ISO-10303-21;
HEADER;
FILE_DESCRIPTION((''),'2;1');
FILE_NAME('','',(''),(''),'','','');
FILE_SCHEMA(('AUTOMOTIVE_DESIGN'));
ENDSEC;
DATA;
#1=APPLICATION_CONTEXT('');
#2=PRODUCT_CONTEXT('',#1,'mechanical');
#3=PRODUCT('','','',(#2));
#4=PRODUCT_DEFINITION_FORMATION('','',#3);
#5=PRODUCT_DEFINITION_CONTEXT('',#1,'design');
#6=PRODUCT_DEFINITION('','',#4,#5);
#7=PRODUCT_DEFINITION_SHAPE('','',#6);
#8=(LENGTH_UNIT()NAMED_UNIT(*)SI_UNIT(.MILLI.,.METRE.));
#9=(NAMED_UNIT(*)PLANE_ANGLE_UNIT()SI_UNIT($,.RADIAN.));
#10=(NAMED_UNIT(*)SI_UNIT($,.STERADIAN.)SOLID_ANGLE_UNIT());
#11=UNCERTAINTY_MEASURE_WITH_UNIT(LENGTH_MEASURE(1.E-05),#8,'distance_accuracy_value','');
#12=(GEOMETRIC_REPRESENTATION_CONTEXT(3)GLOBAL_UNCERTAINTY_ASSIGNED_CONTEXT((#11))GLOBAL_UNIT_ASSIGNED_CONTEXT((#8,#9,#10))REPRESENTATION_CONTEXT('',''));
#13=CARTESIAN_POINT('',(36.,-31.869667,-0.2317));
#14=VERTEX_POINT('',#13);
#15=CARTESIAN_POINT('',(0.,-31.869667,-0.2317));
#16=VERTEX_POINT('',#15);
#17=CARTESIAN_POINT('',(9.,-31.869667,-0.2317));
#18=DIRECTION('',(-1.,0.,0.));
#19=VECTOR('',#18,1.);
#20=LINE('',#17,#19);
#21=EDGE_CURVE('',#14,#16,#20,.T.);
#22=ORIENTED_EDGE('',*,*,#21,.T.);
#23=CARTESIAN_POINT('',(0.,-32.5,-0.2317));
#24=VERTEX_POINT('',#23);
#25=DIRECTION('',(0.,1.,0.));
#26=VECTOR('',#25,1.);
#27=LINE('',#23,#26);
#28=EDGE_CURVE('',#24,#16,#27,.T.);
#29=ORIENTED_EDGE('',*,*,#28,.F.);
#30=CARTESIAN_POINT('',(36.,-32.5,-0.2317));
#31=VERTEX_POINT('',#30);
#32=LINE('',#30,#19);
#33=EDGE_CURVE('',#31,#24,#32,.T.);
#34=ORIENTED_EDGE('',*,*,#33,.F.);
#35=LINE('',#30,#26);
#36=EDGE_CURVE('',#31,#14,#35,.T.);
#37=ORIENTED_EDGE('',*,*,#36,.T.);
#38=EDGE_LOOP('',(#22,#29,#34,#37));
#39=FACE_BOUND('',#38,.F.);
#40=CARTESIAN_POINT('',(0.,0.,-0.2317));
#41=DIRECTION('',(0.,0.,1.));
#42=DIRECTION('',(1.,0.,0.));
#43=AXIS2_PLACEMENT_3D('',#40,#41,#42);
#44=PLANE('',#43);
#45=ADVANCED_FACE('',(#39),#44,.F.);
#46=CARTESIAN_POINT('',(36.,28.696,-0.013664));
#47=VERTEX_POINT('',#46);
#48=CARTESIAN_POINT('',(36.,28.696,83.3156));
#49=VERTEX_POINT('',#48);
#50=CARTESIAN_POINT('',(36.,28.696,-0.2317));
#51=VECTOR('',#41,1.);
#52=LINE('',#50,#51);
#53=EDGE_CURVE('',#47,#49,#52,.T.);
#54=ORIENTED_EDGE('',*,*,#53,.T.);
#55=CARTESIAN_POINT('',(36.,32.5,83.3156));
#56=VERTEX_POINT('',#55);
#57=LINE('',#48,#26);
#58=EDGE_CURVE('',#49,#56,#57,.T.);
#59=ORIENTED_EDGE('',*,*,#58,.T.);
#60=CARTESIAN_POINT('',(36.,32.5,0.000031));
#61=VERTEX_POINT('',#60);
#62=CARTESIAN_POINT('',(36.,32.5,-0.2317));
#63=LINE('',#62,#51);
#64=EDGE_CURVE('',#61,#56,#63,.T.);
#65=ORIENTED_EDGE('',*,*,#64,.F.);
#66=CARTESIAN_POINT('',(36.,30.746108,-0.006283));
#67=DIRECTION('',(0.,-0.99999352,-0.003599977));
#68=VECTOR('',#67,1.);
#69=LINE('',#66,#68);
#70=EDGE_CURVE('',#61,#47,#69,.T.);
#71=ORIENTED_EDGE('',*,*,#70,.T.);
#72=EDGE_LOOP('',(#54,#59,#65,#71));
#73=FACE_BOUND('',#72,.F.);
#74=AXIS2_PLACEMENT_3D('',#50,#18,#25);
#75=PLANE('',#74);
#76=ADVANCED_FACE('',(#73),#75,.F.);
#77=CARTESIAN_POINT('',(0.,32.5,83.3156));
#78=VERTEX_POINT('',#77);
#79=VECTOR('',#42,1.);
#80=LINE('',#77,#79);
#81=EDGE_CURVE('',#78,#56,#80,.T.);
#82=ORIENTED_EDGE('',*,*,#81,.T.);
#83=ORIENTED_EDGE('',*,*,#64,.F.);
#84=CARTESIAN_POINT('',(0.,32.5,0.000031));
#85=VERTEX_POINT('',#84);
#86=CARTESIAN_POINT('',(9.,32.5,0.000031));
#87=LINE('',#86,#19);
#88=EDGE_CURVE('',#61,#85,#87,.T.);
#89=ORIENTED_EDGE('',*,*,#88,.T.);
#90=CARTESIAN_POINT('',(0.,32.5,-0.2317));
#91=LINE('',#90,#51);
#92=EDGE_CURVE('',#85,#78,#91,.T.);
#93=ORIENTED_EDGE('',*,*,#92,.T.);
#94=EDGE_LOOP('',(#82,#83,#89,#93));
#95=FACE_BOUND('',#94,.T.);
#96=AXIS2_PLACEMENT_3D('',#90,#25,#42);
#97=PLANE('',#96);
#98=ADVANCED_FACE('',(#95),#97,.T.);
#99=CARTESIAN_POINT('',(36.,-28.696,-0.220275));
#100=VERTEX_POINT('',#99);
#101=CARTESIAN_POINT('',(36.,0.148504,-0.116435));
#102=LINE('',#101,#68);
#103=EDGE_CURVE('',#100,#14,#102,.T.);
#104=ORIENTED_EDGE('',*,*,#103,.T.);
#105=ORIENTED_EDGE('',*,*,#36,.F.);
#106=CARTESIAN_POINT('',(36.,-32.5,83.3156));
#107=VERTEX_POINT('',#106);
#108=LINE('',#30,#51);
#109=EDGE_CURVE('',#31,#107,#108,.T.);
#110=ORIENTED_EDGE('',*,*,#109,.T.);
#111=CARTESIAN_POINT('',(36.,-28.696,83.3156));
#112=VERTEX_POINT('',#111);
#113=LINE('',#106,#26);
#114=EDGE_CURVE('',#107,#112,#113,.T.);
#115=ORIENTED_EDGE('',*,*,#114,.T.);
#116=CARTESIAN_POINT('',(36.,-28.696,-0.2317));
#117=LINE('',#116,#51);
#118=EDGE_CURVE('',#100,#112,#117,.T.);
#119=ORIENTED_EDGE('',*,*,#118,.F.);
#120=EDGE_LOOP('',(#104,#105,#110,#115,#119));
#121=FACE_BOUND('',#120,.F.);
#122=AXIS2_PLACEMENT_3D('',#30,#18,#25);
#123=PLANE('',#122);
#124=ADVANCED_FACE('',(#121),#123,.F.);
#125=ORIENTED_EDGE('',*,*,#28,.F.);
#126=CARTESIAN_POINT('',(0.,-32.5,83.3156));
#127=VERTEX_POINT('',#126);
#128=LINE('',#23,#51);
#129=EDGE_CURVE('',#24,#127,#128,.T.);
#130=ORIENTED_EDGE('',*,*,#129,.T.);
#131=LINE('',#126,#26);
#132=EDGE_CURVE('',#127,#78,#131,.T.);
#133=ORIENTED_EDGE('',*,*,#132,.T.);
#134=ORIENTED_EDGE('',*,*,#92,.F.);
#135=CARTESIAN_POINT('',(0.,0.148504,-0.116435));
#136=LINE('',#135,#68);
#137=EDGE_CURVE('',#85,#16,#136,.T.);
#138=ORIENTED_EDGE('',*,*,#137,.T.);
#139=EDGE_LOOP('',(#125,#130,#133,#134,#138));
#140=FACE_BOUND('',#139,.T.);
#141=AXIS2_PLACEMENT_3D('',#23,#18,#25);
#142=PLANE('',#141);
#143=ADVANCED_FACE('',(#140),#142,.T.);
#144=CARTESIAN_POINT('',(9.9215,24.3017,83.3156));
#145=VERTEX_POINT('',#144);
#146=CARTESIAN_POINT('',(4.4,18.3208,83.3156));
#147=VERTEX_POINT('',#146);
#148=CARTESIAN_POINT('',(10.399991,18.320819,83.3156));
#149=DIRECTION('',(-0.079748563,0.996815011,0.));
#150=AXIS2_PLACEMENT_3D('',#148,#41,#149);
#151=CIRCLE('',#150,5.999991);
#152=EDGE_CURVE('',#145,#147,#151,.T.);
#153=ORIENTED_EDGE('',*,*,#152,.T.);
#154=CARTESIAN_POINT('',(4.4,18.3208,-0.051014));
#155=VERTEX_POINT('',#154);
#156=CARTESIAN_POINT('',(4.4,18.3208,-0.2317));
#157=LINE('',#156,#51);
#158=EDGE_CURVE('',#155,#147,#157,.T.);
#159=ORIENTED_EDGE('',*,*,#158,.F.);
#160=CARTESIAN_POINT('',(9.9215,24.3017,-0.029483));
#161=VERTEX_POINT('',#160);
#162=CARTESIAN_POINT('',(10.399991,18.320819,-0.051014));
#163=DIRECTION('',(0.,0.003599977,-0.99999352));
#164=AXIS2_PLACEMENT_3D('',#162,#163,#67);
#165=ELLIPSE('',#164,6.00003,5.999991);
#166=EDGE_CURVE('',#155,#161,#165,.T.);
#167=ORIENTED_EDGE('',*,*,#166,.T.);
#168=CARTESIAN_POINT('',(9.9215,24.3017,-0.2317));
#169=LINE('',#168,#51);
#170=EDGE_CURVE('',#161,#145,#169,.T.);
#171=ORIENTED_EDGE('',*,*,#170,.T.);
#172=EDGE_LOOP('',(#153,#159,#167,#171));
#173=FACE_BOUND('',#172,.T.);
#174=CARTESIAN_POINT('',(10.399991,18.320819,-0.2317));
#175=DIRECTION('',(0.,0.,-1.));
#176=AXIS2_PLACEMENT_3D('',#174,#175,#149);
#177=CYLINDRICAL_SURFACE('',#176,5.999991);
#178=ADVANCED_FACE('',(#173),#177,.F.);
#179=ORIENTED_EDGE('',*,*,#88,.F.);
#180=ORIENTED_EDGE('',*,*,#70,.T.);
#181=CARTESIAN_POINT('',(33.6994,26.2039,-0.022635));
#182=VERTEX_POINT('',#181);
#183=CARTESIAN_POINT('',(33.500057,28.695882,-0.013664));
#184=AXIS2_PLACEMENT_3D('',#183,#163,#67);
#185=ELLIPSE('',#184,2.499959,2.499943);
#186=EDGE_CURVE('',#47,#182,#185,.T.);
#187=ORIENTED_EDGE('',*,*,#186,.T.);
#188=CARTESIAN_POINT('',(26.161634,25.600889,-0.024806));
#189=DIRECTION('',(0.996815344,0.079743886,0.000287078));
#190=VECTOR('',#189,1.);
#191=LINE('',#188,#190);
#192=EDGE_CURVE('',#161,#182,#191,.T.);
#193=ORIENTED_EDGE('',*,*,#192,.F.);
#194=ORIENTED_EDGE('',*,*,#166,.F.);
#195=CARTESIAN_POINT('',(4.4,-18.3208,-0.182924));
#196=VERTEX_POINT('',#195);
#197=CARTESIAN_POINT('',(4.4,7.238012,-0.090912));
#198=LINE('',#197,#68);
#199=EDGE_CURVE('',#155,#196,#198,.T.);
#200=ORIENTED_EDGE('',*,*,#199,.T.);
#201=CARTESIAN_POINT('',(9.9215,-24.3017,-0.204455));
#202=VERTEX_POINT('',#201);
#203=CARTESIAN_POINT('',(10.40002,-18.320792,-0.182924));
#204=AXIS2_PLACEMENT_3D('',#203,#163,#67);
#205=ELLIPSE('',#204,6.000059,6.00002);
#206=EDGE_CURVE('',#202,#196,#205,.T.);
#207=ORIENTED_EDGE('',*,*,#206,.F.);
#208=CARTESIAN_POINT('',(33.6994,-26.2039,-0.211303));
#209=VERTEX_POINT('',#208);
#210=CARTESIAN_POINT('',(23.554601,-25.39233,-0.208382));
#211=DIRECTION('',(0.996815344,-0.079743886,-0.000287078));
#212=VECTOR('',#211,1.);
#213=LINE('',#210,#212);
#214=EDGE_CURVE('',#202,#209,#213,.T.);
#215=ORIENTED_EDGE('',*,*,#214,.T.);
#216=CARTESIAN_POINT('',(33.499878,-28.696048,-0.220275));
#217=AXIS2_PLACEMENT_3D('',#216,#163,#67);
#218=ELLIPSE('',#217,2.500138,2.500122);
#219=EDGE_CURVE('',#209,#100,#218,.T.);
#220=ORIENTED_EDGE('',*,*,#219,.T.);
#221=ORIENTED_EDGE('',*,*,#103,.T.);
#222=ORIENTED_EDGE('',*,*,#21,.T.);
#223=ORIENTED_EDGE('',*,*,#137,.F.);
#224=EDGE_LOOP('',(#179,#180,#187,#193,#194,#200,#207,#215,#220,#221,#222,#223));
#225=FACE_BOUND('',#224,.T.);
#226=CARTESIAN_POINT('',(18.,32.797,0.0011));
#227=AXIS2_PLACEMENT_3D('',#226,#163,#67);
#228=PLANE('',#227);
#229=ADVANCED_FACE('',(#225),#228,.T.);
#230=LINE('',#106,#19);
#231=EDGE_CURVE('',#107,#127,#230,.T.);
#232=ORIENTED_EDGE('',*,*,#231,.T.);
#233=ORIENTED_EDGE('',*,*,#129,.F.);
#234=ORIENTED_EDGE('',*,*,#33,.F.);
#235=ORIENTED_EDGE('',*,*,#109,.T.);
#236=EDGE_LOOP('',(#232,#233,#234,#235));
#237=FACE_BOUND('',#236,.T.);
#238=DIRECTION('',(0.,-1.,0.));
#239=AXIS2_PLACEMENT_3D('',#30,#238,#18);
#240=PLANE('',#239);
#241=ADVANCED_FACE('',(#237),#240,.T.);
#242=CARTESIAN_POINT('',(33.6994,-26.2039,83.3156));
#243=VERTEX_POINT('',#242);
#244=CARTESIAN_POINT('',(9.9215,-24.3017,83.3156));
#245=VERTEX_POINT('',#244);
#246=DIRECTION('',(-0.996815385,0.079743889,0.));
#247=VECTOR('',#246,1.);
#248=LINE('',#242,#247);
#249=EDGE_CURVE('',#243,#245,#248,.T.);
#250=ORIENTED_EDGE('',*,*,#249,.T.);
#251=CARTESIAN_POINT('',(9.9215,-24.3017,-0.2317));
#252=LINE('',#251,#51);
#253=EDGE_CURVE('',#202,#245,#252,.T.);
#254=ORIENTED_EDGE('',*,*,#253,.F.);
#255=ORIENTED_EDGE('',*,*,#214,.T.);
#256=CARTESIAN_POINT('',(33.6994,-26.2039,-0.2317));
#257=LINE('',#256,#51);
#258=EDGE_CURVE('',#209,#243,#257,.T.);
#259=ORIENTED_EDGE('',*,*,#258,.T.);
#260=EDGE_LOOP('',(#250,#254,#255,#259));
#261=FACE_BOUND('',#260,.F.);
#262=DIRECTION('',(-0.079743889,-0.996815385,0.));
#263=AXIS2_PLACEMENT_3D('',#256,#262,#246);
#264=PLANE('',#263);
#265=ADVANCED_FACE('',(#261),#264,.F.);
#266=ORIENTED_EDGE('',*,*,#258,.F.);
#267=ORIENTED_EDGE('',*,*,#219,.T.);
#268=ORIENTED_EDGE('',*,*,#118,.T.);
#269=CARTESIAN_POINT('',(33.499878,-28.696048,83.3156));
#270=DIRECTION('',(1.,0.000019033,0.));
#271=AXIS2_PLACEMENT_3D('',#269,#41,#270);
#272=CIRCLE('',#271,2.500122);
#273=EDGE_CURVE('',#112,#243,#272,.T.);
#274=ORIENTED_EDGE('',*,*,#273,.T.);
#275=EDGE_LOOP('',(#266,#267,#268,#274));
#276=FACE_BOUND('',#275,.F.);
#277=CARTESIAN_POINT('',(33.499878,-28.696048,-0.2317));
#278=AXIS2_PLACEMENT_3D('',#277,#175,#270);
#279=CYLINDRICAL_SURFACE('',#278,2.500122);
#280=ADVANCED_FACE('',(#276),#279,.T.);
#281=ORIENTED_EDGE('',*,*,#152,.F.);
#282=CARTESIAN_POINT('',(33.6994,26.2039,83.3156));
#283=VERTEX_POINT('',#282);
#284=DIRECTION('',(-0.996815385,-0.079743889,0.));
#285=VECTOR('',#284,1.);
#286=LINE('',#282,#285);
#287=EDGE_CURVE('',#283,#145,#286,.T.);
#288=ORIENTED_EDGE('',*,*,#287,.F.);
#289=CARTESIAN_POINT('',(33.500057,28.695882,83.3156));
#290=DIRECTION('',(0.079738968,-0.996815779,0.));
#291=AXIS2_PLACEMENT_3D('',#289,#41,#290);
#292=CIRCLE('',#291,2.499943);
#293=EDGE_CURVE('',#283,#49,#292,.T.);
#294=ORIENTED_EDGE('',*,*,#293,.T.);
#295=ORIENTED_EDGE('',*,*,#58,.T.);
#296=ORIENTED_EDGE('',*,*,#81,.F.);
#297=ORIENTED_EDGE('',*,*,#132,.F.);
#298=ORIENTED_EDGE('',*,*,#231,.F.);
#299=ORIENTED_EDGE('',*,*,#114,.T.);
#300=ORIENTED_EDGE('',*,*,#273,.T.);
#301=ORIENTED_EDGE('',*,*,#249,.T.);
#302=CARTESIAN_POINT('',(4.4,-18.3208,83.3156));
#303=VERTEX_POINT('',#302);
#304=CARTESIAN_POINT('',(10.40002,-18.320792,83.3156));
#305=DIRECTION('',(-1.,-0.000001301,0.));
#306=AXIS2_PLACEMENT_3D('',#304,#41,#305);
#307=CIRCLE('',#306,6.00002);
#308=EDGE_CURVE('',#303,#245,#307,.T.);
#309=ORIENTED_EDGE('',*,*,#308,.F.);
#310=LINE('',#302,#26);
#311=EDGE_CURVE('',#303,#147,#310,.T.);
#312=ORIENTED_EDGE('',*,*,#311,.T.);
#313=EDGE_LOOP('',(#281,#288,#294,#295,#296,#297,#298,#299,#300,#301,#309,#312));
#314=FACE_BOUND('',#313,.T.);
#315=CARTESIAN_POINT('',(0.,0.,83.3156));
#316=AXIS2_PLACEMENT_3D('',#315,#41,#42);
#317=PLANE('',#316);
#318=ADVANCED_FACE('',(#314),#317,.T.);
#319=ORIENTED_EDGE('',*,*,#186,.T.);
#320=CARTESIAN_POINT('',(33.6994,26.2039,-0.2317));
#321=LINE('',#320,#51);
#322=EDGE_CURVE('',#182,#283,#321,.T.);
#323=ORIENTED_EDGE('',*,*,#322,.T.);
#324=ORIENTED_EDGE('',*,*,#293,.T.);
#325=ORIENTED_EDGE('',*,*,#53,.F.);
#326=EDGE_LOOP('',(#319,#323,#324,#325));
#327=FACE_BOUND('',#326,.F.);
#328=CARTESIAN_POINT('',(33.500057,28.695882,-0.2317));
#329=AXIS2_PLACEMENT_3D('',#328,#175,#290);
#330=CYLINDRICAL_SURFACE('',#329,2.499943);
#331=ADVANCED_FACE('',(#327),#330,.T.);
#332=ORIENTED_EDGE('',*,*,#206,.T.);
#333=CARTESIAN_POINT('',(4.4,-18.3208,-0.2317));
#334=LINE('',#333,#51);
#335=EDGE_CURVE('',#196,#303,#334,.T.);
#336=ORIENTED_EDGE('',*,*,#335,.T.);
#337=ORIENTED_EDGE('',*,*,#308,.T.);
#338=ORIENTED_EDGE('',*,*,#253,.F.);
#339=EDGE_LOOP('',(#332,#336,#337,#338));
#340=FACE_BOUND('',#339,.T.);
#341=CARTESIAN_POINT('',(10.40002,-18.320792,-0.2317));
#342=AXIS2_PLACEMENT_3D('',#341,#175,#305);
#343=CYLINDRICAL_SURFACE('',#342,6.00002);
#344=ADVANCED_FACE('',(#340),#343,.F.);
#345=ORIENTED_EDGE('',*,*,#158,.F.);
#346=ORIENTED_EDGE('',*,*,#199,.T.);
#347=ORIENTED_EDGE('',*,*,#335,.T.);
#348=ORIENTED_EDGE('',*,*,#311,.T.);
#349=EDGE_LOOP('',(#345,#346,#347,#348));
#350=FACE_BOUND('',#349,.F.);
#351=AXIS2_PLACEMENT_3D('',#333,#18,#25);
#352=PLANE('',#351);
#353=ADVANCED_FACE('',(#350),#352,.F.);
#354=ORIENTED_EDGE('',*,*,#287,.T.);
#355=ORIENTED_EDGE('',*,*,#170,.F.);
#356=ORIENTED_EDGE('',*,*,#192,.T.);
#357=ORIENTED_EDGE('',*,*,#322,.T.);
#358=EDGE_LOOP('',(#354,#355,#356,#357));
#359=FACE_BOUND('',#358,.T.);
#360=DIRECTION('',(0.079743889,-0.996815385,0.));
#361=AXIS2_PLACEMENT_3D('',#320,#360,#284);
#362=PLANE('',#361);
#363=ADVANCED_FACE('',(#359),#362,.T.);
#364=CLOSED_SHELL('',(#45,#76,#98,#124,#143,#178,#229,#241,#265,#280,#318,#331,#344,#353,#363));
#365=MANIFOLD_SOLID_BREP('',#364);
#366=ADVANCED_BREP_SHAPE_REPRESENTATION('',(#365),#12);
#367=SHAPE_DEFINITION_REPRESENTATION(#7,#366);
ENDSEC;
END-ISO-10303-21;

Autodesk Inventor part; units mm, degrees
ref_plane "Начальная плоскость" through (0, 0, -0.2317) normal (0, 0, 1) x (1, 0, 0)
ref_plane "Конечная плоскость" through (0, 0, 83.3155) normal (0, 0, 1) x (1, 0, 0)
sketch "Эскиз" plane through (0, 0, 0) normal (0, 0, 1) x (1, 0, 0)
  line L0 (36, -32.5) -> (0, -32.5)
  line L1 (36, -32.5) -> (36, -28.696)
  line L2 (33.6994, -26.2039) -> (9.9215, -24.3017)
  line L3 (4.4, -18.3208) -> (4.4, 18.3208)
  line L4 (33.6994, 26.2039) -> (9.9215, 24.3017)
  line L5 (36, 28.696) -> (36, 32.5)
  line L6 (0, 32.5) -> (36, 32.5)
  line L7 (0, -32.5) -> (0, 32.5)
  arc A0 (4.4, -18.3208) -> (9.9215, -24.3017) centre (10.4, -18.3208) ccw
  arc A1 (9.9215, 24.3017) -> (4.4, 18.3208) centre (10.4, 18.3208) ccw
  arc A2 (36, -28.696) -> (33.6994, -26.2039) centre (33.5, -28.696) ccw
  arc A3 (33.6994, 26.2039) -> (36, 28.696) centre (33.5, 28.696) ccw
  line L8 (0, 45.5) -> (0, -45.5) construction
  line L9 (-7.2974, 0) -> (43.7847, 0) construction
  point P0 (36, -26.388)
  point P1 (4.4, -23.86)
  point P2 (4.4, 23.86)
  point P3 (36, 26.388)
  dimension "d3" = 36
  dimension "d5" = 4.4
  dimension "d7" = 65
  dimension "d9" = 8.64
  dimension "d11" = 8.64
  dimension "d13" = 6.112
  dimension "d15" = 6.112
  dimension "d22" = 6
  dimension "d23" = 2.5
  dimension "d24" = 32.5
  dimension "d25" = 0
extrude "Тело" add sketch "Эскиз" along normal up to surface (83.5473 mm away) from surface at -0.2317
sketch "Sketch3" plane through (0, 0, 0) normal (0, 0, 1) x (1, 0, 0)
  line L0 (0, 0) -> (10, 0)
ref_plane "Work Plane7" through (0, 0, 0) normal (0, -1, 0) x (1, 0, 0)
sketch "Sketch4" plane through (0, 0, 0) normal (0, -1, 0) x (1, 0, 0)
  line L0 (-2, -0.2317) -> (12, -0.2317)
  line L1 (-2, 83.3155) -> (12, 83.3155)
  dimension "d29" = 83.5473
ref_plane "РабПлоскость8" through (18, 32.797, 0.0011) normal (0, 0.0036, -1) x (1, 0, 0)
split "Разделение1" plane through (18, 32.797, 0.0011) removes the side toward (0, 0.0036, -1)
equation "\"d3\" = b"
equation "\"d5\" = t1"
equation "\"d7\" = ParH"
equation "\"d9\" = msp_x1 + t2"
equation "\"d11\" = msp_x1 + t2"
equation "\"d13\" = -msp_x2 + t2"
equation "\"d15\" = -msp_x2 + t2"
equation "\"d22\" = R"
equation "\"d23\" = R1"
equation "\"d24\" = 0.5 * d7"
equation "\"d16\" = G_L"
equation "\"R1\" = 2.5"
equation "\"R\" = 6"
equation "\"t1\" = 4.4"
equation "\"t2\" = 7.2"
equation "\"ParH\" = 65"
equation "\"b\" = 36"
equation "\"msp_x1\" = 0.04 * b"
equation "\"msp_x2\" = -0.08 * t1 + 0.04 * b"
equation "\"G_L\" = d29"
equation "\"ex\" = 0"
equation "\"G_OFFSET_START\" = 0.23174"
equation "\"G_OFFSET_END\" = 0"
equation "\"d26\" = -G_OFFSET_START"
equation "\"d27\" = G_OFFSET_END + B_L"
equation "\"B_L\" = 83.31553"
properties part number "Швеллер 6.5U-83,55 ГОСТ 8240-97" material "Сталь, мягкая, сварочная"
